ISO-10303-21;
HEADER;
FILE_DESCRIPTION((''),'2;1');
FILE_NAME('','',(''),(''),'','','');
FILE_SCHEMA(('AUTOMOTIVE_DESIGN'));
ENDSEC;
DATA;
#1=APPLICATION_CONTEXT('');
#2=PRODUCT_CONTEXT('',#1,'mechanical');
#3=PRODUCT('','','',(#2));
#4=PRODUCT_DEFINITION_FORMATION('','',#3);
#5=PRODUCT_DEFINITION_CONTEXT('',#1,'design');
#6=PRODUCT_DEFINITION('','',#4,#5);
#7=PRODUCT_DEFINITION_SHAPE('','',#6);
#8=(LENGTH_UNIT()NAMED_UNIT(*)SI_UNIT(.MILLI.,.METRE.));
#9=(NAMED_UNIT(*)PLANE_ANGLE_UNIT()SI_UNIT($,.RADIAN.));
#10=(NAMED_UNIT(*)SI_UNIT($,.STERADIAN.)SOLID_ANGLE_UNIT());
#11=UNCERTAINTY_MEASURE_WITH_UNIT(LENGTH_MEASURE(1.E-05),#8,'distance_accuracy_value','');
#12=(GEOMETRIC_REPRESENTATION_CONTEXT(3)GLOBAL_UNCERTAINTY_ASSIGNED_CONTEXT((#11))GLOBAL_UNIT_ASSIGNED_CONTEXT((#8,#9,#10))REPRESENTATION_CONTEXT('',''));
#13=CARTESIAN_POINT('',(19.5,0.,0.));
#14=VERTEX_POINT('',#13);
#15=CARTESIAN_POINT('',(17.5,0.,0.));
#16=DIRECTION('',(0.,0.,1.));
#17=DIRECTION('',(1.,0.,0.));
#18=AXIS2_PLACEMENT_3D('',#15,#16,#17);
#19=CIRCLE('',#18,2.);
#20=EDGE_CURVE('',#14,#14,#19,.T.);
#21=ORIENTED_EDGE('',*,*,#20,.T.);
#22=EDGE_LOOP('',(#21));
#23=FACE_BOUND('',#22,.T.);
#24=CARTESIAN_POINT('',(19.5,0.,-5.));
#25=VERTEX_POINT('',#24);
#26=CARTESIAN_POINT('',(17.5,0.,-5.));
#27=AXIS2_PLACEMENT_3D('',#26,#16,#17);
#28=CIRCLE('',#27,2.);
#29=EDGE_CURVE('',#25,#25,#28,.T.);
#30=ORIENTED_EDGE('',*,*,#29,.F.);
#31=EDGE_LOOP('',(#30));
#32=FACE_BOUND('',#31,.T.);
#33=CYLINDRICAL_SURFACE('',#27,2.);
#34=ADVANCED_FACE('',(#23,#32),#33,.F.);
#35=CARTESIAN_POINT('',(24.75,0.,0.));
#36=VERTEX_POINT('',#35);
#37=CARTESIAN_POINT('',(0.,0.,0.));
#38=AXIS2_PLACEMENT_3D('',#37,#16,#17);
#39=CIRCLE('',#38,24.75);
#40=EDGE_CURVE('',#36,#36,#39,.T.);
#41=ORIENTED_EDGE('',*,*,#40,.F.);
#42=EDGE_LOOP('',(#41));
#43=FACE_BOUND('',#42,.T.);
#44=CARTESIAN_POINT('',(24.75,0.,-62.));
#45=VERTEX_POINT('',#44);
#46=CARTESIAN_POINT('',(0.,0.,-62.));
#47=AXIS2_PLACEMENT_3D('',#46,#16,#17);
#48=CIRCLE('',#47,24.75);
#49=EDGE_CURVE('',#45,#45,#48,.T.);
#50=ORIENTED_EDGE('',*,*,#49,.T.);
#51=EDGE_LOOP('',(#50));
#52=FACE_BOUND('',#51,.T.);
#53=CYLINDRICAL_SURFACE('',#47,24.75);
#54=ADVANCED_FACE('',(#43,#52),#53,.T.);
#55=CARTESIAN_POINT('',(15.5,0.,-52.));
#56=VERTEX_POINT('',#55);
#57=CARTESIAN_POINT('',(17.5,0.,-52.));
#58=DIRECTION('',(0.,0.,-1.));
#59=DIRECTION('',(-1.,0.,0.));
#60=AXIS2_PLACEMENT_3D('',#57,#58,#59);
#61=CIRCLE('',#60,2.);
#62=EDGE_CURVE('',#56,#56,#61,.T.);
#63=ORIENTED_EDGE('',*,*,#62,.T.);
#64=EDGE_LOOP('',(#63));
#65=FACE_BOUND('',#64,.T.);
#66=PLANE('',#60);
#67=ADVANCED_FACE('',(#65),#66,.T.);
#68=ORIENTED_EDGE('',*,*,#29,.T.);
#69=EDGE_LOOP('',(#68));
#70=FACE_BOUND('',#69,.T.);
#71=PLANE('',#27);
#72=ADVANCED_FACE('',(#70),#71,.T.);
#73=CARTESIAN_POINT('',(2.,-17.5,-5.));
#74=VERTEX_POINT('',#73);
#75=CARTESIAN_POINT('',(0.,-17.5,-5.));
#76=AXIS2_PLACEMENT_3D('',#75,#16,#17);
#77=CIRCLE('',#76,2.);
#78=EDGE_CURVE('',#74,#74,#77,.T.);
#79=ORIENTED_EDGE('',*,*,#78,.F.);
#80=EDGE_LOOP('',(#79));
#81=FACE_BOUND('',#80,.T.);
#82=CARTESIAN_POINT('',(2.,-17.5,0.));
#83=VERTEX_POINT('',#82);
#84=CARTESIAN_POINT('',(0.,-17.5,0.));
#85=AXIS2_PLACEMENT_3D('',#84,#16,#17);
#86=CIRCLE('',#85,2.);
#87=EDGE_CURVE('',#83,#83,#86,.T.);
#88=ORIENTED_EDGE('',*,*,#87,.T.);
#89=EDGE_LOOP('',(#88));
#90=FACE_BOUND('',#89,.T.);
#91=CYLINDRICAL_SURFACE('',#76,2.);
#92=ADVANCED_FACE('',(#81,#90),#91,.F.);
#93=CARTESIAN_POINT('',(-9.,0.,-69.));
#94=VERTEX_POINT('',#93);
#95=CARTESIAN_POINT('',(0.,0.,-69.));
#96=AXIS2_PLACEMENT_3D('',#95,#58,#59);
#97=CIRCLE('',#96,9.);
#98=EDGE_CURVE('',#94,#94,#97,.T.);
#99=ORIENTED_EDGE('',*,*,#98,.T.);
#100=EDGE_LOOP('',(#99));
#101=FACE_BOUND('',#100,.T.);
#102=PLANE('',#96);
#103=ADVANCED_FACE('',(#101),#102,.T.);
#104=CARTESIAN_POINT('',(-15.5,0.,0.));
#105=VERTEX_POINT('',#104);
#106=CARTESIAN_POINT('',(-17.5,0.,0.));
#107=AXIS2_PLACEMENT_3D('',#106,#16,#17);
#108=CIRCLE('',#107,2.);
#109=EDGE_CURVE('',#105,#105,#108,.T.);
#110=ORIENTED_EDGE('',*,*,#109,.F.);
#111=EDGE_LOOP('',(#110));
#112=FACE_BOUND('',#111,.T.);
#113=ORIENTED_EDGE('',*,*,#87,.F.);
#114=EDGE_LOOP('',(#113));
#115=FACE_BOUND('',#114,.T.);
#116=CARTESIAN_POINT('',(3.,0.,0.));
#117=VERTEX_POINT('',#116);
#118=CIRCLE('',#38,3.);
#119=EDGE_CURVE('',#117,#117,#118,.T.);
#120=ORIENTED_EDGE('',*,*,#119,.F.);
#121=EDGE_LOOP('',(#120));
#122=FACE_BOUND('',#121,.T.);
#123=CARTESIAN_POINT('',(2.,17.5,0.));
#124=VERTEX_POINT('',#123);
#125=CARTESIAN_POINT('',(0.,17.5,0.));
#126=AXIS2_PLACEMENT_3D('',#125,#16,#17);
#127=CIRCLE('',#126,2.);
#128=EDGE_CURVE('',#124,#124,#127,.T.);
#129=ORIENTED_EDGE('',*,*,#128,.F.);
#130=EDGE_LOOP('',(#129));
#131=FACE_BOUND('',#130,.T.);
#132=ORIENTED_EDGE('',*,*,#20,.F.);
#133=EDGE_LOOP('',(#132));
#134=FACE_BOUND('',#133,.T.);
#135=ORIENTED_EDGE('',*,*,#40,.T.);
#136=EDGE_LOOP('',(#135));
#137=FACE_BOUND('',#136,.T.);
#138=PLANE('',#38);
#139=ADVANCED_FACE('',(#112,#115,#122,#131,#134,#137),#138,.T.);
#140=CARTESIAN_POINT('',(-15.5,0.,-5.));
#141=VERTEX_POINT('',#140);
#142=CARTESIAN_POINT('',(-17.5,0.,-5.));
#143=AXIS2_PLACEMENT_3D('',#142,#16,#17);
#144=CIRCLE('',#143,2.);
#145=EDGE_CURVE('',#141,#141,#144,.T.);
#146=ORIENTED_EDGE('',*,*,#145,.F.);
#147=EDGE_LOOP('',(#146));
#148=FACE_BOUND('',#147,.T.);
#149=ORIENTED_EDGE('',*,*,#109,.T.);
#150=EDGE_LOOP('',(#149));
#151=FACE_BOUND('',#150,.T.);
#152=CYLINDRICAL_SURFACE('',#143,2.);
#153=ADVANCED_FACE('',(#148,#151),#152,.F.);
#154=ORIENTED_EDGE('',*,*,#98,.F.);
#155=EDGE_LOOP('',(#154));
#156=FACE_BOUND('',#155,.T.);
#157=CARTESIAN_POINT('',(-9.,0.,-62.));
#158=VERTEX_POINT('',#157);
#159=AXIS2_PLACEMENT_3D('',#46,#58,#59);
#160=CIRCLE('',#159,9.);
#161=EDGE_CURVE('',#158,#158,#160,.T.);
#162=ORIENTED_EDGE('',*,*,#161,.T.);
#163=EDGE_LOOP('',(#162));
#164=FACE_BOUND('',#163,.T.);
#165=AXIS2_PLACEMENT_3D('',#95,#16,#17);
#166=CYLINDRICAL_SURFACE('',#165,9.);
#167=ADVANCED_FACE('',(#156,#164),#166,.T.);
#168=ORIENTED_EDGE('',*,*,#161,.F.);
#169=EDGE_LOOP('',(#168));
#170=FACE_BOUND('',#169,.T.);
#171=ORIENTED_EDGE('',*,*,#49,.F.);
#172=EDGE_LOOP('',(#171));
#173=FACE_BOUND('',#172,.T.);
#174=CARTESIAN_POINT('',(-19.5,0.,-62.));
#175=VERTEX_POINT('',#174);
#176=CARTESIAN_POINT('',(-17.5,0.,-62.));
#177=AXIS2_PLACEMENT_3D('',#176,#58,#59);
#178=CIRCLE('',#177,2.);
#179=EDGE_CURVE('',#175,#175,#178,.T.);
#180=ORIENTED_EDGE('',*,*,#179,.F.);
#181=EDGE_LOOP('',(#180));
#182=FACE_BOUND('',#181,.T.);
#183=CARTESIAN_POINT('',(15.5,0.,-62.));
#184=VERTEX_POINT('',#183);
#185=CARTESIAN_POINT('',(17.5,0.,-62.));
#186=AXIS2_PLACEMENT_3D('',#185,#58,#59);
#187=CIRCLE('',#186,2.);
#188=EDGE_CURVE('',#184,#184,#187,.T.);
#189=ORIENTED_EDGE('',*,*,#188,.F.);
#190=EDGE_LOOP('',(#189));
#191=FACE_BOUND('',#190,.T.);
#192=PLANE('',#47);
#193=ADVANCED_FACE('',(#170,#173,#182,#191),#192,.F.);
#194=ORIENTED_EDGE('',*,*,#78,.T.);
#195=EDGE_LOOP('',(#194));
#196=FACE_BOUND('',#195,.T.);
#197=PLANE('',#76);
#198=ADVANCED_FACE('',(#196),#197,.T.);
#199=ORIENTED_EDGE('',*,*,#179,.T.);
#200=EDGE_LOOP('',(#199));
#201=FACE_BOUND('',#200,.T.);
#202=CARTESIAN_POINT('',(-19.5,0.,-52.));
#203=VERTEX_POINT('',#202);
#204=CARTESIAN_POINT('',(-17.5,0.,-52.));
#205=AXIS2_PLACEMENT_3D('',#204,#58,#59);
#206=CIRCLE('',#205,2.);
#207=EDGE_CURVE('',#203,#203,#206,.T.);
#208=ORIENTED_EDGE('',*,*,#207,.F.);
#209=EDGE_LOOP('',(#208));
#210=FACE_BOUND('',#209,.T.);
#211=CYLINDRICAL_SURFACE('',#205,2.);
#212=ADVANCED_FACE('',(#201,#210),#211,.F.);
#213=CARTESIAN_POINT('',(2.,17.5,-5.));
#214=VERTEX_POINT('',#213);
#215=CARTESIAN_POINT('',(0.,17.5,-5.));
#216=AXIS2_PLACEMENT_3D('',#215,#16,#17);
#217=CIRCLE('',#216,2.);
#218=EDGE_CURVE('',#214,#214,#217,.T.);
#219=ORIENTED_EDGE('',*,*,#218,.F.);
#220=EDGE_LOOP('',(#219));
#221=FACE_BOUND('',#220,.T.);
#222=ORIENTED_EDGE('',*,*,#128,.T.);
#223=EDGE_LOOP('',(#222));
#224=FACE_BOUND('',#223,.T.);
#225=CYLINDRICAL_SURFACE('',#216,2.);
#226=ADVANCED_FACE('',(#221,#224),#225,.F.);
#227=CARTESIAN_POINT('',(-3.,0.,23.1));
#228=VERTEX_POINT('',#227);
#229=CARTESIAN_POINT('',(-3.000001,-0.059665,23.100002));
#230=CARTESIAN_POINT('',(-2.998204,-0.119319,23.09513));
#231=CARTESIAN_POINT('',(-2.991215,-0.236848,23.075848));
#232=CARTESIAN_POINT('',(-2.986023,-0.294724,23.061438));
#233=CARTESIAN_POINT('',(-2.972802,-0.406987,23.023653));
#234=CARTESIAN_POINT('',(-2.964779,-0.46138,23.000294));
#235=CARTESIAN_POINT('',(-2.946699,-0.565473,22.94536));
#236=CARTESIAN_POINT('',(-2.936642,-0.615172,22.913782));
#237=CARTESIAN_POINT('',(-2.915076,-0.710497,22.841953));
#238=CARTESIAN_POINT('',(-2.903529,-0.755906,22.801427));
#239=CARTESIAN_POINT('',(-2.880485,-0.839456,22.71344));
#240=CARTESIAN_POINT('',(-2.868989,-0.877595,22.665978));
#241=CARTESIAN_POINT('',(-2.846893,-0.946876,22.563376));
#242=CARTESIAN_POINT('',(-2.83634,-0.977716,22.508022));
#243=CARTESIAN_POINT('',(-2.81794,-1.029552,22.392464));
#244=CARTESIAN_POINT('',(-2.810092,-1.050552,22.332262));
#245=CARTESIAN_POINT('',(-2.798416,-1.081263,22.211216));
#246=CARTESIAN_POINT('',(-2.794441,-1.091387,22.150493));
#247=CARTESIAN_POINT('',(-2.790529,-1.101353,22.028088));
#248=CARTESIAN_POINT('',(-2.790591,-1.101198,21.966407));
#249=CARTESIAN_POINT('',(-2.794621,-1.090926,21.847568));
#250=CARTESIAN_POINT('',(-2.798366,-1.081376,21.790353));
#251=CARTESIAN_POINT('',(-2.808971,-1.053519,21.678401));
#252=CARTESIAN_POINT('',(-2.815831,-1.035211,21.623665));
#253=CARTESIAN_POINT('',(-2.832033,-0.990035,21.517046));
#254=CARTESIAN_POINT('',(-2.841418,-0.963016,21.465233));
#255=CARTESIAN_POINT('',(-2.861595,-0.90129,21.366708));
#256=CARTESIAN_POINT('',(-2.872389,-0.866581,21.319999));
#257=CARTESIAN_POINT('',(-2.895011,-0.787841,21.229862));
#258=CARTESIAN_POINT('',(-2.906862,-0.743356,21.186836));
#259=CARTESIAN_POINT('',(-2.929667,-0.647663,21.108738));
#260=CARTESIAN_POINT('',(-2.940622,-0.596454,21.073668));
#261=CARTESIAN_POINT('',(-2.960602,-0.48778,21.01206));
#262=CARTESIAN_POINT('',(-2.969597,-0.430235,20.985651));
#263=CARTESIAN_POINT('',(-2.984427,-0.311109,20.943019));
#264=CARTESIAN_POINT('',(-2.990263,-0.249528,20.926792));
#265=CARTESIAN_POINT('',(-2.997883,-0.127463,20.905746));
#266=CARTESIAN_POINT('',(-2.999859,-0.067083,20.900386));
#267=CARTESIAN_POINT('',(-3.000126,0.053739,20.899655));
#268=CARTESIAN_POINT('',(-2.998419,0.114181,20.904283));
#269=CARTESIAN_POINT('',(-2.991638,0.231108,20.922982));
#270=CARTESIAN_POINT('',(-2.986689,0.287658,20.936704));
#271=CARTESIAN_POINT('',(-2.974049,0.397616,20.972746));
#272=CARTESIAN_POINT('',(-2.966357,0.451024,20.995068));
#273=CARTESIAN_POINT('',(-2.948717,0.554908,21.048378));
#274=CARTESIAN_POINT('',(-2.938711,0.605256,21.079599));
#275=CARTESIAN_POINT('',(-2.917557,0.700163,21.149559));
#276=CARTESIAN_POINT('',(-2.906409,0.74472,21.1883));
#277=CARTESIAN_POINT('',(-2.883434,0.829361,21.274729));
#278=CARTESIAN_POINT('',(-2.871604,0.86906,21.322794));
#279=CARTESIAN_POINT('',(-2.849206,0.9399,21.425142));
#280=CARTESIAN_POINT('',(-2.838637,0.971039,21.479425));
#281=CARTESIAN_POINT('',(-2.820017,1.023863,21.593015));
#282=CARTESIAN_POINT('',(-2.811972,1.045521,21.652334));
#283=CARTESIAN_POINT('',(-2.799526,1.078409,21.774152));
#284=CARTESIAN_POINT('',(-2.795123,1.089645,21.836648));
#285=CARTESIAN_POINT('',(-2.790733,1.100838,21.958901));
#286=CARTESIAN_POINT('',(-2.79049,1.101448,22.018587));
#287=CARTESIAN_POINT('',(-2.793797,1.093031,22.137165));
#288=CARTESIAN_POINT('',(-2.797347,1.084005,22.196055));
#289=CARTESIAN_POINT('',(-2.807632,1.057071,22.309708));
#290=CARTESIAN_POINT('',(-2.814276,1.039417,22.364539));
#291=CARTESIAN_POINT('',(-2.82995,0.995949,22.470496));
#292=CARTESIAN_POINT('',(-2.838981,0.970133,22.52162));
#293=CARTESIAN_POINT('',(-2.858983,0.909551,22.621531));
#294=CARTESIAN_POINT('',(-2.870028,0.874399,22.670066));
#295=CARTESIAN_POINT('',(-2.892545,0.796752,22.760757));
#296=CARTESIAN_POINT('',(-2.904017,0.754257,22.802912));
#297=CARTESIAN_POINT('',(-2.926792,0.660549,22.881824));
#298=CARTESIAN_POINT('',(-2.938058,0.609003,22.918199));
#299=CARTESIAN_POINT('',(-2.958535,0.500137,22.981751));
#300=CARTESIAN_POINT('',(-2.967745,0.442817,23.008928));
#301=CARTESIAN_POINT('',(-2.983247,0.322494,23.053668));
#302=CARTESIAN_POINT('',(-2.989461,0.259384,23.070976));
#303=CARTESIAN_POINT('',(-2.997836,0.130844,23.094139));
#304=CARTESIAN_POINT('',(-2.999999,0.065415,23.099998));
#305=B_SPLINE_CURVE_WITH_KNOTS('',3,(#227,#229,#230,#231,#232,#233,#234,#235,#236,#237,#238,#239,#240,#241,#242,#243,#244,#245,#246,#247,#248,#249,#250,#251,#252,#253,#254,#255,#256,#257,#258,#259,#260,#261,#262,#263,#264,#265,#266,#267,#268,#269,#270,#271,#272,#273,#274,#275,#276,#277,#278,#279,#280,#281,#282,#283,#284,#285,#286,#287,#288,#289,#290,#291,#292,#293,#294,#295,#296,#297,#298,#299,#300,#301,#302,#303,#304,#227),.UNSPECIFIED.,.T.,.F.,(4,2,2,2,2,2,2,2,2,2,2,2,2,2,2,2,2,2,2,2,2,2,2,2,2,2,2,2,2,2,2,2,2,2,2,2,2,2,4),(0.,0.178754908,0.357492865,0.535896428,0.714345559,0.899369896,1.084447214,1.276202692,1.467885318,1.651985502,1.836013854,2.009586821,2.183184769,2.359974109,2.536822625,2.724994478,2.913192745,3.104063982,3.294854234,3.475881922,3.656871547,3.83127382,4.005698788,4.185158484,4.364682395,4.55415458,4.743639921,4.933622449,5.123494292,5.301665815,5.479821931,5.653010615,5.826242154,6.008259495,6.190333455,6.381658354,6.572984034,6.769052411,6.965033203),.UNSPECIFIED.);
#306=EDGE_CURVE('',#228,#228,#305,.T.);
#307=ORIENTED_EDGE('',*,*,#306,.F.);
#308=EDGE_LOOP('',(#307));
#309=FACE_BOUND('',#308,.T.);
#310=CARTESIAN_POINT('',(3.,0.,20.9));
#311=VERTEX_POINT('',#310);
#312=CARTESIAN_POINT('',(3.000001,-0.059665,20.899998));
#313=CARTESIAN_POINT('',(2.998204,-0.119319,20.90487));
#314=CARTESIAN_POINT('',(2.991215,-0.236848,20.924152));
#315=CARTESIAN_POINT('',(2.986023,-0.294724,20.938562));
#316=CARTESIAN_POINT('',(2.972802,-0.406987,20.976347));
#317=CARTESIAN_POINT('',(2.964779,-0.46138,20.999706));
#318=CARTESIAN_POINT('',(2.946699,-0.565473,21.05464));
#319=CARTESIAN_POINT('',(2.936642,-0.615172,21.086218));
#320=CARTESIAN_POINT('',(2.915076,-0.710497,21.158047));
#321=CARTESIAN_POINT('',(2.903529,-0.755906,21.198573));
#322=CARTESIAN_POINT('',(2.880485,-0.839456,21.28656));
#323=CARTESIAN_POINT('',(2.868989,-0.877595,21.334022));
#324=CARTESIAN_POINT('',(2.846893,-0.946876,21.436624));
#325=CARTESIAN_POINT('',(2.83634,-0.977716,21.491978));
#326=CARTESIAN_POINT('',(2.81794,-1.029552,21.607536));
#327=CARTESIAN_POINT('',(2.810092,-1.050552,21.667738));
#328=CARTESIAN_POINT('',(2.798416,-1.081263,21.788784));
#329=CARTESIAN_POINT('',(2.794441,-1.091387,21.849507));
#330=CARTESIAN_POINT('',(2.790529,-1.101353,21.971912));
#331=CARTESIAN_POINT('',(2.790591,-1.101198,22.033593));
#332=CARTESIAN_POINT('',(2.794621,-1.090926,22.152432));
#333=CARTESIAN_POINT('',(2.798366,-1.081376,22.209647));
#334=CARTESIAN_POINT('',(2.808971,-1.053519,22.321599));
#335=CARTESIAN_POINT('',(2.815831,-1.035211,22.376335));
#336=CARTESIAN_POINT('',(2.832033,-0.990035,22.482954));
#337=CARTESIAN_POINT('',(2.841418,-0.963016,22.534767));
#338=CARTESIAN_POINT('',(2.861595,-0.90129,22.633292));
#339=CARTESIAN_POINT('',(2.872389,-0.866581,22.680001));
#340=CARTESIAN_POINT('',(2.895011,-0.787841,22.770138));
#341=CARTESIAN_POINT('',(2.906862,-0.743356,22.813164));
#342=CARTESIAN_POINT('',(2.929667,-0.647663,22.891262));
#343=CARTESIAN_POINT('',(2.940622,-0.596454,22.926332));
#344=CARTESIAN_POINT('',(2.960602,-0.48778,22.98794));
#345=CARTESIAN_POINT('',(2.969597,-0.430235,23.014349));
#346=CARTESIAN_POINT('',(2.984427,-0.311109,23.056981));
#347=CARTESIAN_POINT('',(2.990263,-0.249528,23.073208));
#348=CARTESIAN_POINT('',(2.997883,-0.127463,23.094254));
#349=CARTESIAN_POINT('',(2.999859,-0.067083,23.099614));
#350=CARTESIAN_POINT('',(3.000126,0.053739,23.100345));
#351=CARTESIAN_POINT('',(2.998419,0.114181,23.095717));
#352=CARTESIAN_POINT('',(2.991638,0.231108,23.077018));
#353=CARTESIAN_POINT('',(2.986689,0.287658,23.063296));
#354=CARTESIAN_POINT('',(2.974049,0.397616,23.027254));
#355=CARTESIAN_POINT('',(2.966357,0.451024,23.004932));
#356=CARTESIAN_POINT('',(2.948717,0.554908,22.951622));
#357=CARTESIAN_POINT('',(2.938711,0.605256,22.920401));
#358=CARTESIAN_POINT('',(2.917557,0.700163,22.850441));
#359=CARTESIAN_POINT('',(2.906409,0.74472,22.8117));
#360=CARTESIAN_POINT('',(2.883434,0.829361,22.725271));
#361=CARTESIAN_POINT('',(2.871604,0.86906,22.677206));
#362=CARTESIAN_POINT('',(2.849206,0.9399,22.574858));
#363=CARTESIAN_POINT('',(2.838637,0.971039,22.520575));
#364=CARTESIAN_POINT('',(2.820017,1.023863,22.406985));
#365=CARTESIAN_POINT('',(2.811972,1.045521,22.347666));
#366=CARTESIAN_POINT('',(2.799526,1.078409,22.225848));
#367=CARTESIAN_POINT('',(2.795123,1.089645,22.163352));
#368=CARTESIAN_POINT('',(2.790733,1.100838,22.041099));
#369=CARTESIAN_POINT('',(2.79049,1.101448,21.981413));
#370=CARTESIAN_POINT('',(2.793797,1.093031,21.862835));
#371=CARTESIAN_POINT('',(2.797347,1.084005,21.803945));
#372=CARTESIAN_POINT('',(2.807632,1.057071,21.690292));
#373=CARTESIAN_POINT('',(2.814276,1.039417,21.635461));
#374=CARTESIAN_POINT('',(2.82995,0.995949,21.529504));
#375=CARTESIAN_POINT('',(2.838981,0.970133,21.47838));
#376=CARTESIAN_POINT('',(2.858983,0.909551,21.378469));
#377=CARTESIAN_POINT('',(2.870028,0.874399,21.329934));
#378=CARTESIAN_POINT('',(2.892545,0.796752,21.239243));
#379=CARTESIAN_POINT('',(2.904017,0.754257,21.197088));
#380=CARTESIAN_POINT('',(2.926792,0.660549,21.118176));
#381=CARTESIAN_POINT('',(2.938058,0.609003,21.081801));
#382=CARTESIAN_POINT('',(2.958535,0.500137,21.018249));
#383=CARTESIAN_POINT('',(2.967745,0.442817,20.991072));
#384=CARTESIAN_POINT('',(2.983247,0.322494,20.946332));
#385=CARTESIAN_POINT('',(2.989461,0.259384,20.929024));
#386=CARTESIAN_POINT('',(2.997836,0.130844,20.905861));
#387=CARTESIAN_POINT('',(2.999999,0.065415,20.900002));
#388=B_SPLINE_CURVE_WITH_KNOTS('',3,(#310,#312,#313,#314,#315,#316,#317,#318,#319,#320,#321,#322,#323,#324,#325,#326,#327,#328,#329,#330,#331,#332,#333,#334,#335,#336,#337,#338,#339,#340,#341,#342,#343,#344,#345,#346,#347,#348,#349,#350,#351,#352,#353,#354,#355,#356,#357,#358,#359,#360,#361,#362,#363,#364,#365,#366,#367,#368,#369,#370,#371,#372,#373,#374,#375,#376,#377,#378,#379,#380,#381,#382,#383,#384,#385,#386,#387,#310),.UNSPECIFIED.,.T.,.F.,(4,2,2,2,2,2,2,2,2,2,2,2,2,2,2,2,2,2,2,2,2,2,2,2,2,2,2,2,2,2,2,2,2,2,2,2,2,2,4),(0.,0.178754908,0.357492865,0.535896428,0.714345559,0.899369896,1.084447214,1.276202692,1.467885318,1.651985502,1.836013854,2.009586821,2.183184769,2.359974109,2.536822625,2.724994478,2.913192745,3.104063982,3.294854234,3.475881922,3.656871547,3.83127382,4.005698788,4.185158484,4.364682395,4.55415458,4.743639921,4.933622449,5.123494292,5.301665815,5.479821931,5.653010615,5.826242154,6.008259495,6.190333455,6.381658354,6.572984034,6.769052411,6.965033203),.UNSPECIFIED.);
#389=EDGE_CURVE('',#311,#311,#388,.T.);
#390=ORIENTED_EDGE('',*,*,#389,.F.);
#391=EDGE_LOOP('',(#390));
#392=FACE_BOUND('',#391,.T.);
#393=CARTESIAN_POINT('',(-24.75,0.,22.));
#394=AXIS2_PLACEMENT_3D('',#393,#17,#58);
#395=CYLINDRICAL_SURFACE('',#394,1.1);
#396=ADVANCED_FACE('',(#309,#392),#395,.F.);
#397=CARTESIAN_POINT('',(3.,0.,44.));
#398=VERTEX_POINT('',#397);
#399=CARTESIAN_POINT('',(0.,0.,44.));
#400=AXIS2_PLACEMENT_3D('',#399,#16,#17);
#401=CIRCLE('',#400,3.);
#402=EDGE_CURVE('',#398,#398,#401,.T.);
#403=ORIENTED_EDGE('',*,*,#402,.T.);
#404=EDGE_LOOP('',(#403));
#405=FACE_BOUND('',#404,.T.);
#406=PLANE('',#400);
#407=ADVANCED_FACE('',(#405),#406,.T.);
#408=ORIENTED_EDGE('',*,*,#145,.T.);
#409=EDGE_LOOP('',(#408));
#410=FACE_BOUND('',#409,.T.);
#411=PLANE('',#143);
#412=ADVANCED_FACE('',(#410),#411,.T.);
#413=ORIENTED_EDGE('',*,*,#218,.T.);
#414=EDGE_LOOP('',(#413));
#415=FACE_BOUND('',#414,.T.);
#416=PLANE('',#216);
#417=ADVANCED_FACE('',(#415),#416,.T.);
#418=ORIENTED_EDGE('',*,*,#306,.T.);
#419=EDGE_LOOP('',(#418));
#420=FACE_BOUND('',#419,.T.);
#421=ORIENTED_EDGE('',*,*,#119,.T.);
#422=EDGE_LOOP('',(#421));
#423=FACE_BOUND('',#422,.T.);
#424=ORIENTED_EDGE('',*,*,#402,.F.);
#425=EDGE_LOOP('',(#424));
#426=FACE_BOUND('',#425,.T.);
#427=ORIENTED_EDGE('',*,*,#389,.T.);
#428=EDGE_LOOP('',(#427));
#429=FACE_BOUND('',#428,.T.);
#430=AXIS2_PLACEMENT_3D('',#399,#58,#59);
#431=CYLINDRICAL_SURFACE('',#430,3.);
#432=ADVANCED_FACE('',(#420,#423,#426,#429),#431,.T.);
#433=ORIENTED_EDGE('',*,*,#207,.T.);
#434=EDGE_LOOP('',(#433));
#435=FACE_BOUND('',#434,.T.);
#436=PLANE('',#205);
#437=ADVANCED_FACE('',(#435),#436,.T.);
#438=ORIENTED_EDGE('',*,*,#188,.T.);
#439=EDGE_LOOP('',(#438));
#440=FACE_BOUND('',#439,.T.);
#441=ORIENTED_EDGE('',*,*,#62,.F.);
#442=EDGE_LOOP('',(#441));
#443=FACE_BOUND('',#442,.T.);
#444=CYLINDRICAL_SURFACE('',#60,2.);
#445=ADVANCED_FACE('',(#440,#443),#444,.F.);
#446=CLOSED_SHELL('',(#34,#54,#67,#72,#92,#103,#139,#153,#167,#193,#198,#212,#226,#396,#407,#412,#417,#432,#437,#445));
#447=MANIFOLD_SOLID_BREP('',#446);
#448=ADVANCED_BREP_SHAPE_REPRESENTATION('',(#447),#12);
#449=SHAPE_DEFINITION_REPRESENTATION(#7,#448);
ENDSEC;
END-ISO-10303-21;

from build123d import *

# Parameters (mm, degrees)
SKETCH1_R               = 24.75
BOSS_EXTRUDE1_DEPTH     = 62
SKETCH2_R               = 3
BOSS_EXTRUDE2_DEPTH     = 44
SKETCH3_R               = 1.1
CUT_EXTRUDE1_DEPTH      = 25.75
CUT_EXTRUDE1_DEPTH_BACK = 25.75
SKETCH4_R               = 9
BOSS_EXTRUDE3_DEPTH     = 7
SKETCH5_R               = 2
CUT_EXTRUDE2_DEPTH      = 10
SKETCH6_R               = 2
CUT_EXTRUDE3_DEPTH      = 5


with BuildPart() as part:
    # Sketch1 → Boss-Extrude1 (new body)
    with BuildSketch(Plane.XY):
        Circle(SKETCH1_R)
    extrude(amount=-BOSS_EXTRUDE1_DEPTH)

    # Sketch2 → Boss-Extrude2 (add)
    with BuildSketch(Plane.XY):
        Circle(SKETCH2_R)
    extrude(amount=BOSS_EXTRUDE2_DEPTH)

    # Sketch3 → Cut-Extrude1 (cut, two sides)
    with BuildSketch(Plane(origin=(0, 0, 0), x_dir=(0, 0, -1), z_dir=(1, 0, 0))) as cut_extrude1_sk:
        with Locations((-22, 0)):
            Circle(SKETCH3_R)
    extrude(amount=CUT_EXTRUDE1_DEPTH, mode=Mode.SUBTRACT)
    extrude(cut_extrude1_sk.sketch, amount=-CUT_EXTRUDE1_DEPTH_BACK, mode=Mode.SUBTRACT)

    # Sketch4 → Boss-Extrude3 (add)
    with BuildSketch(Plane(origin=(0, 0, -62), x_dir=(-1, 0, 0), z_dir=(0, 0, -1))):
        Circle(SKETCH4_R)
    extrude(amount=BOSS_EXTRUDE3_DEPTH)

    # Sketch5 → Cut-Extrude2 (cut)
    with BuildSketch(Plane(origin=(0, 0, -62), x_dir=(-1, 0, 0), z_dir=(0, 0, -1))):
        with Locations((-17.5, 0)):
            Circle(SKETCH5_R)
        with Locations((17.5, 0)):
            Circle(SKETCH5_R)
    extrude(amount=-CUT_EXTRUDE2_DEPTH, mode=Mode.SUBTRACT)

    # Sketch6 → Cut-Extrude3 (cut)
    with BuildSketch(Plane.XY):
        with Locations((0, 17.5)):
            Circle(SKETCH6_R)
        with Locations((17.5, 0)):
            Circle(SKETCH6_R)
        with Locations((0, -17.5)):
            Circle(SKETCH6_R)
        with Locations((-17.5, 0)):
            Circle(SKETCH6_R)
    extrude(amount=-CUT_EXTRUDE3_DEPTH, mode=Mode.SUBTRACT)


solid = part.part
